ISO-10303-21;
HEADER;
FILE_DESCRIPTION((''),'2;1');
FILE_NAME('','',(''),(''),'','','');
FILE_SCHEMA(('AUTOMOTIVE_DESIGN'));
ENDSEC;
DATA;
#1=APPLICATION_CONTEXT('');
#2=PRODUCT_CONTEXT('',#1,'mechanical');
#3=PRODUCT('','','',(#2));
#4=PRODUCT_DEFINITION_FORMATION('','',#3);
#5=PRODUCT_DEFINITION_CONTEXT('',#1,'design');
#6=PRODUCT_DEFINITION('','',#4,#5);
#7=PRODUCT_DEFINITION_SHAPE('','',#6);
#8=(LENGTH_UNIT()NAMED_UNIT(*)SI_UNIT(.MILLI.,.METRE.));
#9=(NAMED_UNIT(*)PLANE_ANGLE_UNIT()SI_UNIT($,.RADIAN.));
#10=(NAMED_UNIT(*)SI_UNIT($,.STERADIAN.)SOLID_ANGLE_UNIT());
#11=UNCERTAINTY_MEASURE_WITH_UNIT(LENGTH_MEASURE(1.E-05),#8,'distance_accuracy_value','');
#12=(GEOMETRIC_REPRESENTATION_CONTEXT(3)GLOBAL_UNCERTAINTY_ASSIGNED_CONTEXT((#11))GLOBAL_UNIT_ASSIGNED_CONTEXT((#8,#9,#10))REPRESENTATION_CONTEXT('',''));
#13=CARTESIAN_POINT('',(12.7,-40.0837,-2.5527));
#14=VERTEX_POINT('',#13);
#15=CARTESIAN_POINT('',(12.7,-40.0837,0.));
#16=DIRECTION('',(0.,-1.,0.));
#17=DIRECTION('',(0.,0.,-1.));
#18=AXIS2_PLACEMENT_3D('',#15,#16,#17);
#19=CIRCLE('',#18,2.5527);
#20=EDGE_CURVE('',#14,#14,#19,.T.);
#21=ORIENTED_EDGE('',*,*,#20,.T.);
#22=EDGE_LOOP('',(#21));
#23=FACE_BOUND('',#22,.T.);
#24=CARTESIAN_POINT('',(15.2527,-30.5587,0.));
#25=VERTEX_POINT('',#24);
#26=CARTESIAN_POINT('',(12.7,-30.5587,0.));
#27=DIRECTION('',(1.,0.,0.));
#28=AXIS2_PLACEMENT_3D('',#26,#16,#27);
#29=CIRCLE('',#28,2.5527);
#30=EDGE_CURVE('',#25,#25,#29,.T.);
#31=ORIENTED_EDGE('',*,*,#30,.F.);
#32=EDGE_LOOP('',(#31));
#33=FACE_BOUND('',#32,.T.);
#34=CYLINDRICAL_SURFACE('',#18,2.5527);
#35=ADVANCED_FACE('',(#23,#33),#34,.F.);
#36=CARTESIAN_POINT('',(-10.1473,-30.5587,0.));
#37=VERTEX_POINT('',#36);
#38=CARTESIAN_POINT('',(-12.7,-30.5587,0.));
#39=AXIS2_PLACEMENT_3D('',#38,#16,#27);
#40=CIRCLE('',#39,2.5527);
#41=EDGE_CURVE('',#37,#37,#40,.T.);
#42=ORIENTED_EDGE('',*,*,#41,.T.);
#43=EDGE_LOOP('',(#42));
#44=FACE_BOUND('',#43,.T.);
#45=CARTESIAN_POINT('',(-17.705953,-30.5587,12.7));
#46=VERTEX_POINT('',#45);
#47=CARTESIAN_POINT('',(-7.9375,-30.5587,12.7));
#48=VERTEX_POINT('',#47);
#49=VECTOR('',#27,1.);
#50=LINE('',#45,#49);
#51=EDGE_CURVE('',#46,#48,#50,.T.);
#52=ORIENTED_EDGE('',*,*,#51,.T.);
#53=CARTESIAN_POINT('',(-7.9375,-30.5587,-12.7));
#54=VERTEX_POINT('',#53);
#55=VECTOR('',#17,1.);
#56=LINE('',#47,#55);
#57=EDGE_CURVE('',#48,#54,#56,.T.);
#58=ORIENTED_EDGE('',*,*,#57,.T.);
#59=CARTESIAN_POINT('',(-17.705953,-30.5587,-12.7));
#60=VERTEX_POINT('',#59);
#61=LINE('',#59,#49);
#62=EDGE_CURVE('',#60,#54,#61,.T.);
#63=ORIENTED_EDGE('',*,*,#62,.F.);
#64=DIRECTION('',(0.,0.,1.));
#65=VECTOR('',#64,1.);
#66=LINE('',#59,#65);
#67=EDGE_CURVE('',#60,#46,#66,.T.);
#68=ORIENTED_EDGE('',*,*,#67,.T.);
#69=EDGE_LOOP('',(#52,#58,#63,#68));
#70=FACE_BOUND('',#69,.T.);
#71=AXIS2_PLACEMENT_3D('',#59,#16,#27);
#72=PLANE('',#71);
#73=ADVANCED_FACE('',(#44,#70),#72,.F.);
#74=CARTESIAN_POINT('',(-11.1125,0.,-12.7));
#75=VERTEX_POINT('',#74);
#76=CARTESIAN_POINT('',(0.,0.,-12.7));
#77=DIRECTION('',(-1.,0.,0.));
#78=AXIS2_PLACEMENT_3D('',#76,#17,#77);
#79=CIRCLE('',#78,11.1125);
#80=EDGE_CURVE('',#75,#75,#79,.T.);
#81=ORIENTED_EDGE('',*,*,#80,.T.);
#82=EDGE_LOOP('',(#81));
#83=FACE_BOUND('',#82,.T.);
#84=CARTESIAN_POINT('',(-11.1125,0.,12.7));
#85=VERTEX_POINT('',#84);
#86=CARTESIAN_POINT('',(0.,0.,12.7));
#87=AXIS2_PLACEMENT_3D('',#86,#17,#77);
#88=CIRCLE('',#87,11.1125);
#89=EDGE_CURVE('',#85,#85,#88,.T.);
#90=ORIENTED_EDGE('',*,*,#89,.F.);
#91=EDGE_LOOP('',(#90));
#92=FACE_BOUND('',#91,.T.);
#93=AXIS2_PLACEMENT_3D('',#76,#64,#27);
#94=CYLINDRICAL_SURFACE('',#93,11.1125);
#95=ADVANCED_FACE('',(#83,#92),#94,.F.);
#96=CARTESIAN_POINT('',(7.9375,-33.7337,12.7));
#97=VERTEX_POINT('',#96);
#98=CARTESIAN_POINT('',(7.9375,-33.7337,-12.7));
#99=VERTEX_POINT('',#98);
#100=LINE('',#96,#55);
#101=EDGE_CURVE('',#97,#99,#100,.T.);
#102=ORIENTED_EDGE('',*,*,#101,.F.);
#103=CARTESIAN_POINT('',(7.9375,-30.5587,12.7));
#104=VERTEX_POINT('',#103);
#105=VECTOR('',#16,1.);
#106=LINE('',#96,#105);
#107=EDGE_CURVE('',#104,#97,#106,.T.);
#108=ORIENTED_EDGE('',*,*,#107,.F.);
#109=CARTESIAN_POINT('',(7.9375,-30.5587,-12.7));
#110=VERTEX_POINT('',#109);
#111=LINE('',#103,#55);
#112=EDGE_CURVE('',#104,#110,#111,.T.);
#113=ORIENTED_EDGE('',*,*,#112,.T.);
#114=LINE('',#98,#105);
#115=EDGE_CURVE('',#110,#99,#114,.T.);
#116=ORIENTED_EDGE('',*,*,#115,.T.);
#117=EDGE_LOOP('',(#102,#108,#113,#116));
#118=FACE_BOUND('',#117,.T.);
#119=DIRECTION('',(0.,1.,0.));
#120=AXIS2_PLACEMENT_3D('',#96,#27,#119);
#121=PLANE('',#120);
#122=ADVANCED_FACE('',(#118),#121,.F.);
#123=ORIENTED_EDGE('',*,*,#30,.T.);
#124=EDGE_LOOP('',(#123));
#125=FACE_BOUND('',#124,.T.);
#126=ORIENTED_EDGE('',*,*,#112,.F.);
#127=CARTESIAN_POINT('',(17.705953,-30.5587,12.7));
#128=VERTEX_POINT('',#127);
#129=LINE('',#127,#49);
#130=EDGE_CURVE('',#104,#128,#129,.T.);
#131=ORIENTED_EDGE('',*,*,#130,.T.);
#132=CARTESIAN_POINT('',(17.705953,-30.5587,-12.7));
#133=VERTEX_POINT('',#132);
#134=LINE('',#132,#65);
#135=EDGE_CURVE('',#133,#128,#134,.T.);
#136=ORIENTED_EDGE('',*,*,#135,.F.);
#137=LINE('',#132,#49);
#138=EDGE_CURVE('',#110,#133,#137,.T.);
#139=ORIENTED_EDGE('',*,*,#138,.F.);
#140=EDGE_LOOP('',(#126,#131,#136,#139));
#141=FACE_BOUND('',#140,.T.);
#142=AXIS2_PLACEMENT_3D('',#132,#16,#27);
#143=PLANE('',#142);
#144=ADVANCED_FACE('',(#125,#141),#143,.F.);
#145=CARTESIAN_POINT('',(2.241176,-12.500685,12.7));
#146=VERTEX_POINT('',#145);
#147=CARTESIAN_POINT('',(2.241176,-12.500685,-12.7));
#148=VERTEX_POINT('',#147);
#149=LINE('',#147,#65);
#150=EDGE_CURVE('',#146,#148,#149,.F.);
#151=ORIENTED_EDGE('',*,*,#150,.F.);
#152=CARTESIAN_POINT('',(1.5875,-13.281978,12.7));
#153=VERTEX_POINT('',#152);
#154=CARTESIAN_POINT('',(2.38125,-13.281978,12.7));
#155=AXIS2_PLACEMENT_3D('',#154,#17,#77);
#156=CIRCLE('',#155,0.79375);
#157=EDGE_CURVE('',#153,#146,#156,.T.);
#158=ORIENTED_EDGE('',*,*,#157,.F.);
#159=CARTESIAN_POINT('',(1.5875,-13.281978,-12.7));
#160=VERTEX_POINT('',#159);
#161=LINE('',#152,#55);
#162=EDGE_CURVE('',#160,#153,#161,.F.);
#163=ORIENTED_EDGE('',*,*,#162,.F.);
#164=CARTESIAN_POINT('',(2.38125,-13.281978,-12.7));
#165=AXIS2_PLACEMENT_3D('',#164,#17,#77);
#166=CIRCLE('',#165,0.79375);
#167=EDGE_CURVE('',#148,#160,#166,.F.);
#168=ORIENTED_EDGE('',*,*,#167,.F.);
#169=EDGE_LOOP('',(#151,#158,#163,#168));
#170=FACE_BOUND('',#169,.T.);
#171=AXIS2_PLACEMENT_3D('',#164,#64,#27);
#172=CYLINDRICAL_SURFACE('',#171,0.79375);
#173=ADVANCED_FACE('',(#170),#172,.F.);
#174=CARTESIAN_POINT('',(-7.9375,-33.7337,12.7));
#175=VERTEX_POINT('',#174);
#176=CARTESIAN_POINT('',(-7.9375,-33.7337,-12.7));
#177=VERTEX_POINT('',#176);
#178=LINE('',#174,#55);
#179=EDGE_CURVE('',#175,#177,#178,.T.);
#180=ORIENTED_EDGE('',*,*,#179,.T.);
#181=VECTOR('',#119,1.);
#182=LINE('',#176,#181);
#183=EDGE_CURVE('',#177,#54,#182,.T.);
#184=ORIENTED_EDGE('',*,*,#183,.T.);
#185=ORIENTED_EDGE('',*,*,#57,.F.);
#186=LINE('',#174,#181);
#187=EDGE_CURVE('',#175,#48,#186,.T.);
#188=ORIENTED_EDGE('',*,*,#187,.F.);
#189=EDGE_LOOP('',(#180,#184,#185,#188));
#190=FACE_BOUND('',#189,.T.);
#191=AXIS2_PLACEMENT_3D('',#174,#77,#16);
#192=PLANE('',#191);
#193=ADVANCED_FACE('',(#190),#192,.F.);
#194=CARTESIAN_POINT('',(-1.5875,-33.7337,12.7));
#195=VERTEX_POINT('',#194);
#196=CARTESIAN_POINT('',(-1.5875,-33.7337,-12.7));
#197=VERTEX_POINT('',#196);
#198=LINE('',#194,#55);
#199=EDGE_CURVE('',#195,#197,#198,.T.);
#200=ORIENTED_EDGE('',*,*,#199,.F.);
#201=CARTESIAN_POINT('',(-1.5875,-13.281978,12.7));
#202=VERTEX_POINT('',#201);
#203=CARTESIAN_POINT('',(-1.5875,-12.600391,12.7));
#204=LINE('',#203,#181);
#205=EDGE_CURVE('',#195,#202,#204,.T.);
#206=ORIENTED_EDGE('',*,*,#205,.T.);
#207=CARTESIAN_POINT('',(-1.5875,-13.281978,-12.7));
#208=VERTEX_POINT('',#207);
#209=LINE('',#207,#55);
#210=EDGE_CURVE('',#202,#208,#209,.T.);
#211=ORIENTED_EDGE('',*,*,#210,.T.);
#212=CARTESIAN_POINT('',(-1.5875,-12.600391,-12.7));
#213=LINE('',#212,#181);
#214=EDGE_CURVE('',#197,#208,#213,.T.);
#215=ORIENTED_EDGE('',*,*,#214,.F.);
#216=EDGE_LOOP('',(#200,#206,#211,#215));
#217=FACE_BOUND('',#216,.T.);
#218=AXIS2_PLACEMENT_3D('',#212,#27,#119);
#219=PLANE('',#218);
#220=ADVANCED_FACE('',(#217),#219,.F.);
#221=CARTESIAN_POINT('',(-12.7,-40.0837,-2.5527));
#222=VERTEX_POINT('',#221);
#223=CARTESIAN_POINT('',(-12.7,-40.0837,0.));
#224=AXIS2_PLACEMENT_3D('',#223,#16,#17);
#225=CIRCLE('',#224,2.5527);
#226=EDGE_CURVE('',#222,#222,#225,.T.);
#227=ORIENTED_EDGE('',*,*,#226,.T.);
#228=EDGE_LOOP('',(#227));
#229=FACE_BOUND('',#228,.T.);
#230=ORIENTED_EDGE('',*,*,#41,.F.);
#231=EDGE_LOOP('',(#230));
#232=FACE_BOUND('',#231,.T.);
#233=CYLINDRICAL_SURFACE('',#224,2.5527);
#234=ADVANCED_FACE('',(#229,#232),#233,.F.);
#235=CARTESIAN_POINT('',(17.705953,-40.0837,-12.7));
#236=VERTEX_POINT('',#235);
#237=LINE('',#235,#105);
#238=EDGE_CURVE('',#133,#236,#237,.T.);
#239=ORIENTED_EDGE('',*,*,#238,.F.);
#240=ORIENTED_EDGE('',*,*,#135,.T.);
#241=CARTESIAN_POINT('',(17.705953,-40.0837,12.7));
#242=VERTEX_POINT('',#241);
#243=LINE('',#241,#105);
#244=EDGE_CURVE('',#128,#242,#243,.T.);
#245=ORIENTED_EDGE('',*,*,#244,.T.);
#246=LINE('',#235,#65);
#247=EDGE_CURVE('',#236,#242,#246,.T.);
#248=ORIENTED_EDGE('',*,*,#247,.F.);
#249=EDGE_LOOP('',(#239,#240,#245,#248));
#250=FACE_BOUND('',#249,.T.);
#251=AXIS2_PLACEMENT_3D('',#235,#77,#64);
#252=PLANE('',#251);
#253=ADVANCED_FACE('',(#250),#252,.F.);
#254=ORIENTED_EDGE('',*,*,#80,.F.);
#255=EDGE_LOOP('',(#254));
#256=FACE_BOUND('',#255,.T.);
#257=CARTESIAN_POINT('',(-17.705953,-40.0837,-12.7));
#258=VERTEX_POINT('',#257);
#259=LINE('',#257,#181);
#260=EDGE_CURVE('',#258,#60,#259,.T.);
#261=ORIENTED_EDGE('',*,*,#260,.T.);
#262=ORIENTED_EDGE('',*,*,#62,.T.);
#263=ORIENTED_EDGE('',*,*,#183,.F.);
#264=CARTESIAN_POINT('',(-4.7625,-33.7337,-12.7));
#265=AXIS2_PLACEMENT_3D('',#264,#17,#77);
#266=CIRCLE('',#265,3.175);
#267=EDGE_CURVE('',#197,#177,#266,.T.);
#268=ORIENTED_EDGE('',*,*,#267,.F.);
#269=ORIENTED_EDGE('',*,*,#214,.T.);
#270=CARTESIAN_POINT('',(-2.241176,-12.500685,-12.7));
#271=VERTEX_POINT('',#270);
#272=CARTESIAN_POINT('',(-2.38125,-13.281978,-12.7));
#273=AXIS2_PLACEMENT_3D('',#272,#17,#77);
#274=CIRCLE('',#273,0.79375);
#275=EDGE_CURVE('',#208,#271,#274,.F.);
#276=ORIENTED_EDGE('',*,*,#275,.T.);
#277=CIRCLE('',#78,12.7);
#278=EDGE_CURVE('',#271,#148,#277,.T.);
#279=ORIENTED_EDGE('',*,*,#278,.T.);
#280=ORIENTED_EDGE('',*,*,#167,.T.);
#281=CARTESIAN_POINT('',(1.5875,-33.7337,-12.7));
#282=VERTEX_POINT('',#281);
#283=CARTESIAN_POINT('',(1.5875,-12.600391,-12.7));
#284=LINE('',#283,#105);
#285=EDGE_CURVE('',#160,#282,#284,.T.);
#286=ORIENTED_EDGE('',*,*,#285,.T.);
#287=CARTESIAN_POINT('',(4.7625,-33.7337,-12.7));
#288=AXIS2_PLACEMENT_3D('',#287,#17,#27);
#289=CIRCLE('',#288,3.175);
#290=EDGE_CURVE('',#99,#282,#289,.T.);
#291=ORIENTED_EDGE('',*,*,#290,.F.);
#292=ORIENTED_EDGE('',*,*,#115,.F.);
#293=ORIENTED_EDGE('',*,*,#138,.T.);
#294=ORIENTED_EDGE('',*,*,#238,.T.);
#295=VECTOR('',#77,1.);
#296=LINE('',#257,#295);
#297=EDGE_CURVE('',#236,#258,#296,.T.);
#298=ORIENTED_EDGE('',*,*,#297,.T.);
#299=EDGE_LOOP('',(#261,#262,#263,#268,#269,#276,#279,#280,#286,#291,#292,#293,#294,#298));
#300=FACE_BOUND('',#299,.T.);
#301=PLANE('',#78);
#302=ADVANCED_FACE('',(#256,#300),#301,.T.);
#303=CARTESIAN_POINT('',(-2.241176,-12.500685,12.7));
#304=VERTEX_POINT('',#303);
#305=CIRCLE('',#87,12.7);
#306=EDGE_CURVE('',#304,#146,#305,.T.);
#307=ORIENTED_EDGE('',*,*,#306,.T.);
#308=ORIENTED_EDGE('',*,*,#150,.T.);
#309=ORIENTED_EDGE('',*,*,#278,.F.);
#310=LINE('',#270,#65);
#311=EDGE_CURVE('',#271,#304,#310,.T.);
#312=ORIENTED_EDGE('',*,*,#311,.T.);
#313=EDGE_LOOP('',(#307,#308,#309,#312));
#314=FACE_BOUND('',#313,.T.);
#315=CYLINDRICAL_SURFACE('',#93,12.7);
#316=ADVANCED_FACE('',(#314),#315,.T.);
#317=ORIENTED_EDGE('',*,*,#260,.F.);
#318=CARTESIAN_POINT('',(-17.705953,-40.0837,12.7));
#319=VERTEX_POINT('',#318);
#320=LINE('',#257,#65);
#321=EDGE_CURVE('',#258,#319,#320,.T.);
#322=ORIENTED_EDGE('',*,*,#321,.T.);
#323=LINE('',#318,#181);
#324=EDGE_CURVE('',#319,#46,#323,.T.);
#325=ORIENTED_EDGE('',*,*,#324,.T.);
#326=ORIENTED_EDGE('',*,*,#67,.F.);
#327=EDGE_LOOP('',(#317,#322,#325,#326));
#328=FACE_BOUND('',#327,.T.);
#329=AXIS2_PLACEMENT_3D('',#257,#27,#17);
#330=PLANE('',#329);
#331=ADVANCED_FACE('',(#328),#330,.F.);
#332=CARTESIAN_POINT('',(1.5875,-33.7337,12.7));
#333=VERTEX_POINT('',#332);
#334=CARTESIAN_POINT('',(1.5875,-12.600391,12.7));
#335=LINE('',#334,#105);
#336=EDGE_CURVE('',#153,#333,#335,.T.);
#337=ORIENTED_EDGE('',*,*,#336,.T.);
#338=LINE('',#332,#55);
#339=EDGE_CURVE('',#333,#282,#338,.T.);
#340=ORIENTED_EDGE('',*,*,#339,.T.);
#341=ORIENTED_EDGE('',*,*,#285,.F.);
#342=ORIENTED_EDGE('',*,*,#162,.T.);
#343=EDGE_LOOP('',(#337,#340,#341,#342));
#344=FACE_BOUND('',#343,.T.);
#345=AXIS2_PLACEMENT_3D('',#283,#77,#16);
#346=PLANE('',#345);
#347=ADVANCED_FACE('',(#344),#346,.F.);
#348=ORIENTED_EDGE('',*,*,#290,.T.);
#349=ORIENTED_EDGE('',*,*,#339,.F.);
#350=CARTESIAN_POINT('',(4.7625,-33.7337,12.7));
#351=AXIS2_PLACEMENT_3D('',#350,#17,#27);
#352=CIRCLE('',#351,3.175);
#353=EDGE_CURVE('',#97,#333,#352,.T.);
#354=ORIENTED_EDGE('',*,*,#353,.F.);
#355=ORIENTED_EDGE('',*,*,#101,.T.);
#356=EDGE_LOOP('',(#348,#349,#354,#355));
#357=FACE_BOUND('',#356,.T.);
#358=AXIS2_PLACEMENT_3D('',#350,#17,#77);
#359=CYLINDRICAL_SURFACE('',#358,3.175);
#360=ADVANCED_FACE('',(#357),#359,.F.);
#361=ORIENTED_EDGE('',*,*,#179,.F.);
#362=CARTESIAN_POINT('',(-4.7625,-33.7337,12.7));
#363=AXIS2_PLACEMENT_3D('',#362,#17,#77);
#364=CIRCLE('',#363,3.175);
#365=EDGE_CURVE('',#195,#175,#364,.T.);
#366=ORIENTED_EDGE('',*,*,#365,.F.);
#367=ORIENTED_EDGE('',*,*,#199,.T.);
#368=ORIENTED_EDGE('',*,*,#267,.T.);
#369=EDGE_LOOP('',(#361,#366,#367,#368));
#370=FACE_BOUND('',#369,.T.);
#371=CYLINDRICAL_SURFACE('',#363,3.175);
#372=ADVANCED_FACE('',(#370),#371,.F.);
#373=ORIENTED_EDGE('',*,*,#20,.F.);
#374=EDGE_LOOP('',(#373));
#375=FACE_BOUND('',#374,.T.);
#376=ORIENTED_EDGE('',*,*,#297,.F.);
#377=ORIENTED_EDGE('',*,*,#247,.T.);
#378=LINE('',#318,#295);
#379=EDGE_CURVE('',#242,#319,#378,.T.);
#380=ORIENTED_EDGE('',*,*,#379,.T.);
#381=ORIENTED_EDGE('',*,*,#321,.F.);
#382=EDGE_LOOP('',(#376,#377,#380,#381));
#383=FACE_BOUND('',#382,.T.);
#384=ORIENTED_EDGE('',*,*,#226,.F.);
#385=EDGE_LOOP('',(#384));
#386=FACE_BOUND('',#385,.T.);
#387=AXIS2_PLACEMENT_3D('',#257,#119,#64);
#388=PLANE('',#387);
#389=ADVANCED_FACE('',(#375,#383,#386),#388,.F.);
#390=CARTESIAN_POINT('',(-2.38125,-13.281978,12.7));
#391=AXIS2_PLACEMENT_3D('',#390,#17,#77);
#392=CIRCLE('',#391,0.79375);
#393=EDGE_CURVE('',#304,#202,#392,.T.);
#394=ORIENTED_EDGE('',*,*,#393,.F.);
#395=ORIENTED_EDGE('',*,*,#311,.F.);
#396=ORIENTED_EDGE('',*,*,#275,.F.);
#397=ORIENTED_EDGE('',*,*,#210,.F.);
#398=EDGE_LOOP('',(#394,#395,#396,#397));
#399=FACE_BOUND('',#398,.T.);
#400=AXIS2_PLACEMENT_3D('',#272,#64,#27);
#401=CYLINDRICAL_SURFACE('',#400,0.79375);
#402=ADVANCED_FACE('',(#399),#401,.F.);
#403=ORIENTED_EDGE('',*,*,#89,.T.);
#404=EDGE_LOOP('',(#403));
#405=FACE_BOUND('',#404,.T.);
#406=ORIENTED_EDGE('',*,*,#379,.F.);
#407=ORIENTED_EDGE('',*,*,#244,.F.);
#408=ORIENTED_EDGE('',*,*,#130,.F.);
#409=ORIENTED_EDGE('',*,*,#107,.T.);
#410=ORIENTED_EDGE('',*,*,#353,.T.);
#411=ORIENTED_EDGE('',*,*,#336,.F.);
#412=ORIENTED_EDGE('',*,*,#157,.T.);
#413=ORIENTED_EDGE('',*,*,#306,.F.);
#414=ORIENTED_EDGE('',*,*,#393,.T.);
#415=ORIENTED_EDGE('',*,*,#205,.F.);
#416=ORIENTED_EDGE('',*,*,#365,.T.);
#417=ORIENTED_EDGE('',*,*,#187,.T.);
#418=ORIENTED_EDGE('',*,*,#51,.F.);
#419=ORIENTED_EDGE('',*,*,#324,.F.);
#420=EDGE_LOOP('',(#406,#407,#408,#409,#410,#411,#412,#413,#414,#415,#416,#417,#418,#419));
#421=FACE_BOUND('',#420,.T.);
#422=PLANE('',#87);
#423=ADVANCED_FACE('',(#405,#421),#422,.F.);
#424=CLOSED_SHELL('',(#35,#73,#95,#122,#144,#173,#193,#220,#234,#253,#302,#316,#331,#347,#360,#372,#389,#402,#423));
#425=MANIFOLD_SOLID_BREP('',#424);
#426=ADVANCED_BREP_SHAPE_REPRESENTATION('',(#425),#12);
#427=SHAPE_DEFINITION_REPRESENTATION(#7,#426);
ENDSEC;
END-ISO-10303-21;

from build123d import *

# Parameters (mm, degrees)
SKETCH1_R                  = 11.1125
EXTRUDE1_DEPTH             = 12.7
BUSHING_SIDE_FILLETS_R     = 0.79375
MOUNT_SIDE_FILLETS_R       = 0.79375
F_1_4_MOUNTING_HOLES_D     = 5.1054
F_1_4_MOUNTING_HOLES_DEPTH = 19.05
F_1_4_MOUNTING_HOLES_TIP   = 1.533816902
EXTRUDE2_DEPTH             = 51.649420448


with BuildPart() as part:
    # Sketch1 → Extrude1 (new, symmetric)
    with BuildSketch(Plane(origin=(0, 0, 0), x_dir=(1, 0, 0), z_dir=(0, 0, -1))):
        with BuildLine():
            Line((-17.705953405, 40.0837), (17.705953405, 40.0837))
            Line((17.705953405, 40.0837), (17.705953405, 30.5587))
            Line((17.705953405, 30.5587), (1.5875, 30.5587))
            Line((1.5875, 30.5587), (1.5875, 12.600390619))
            ThreePointArc((1.5875, 12.600390619), (0, -12.7), (-1.5875, 12.600390619))
            Line((-1.5875, 12.600390619), (-1.5875, 30.5587))
            Line((-1.5875, 30.5587), (-17.705953405, 30.5587))
            Line((-17.705953405, 30.5587), (-17.705953405, 40.0837))
        make_face()
        with Locations(Location((0, 0, 0), (0, 0, 180))):
            Circle(SKETCH1_R, mode=Mode.SUBTRACT)
    extrude(amount=EXTRUDE1_DEPTH, both=True)

    # Bushing-side fillets
    bushing_side_fillets_edges = [part.edges().sort_by_distance(p)[0] for p in [
        (1.5875, -12.600390619, 0),
        (-1.5875, -12.600390619, 0),
    ]]
    fillet(bushing_side_fillets_edges, radius=BUSHING_SIDE_FILLETS_R)

    # Mount-side fillets
    mount_side_fillets_edges = [part.edges().sort_by_distance(p)[0] for p in [
        (1.5875, -30.5587, 0),
        (-1.5875, -30.5587, 0),
    ]]
    fillet(mount_side_fillets_edges, radius=MOUNT_SIDE_FILLETS_R)

    # 1/4 Mounting holes
    with Locations(Plane.XZ.offset(40.0837)):
        with Locations((-12.7, 0), (12.7, 0)):
            Hole(F_1_4_MOUNTING_HOLES_D / 2, depth=F_1_4_MOUNTING_HOLES_DEPTH)
            with Locations((0, 0, -(F_1_4_MOUNTING_HOLES_DEPTH + F_1_4_MOUNTING_HOLES_TIP / 2))):  # 118° drill point
                Cone(0, F_1_4_MOUNTING_HOLES_D / 2, F_1_4_MOUNTING_HOLES_TIP, mode=Mode.SUBTRACT)

    # Sketch4 → Extrude2 (cut, through all)
    with BuildSketch(Plane(origin=(0, 0, -12.7), x_dir=(-1, 0, 0), z_dir=(0, 0, -1))):
        with BuildLine():
            Line((1.5875, -29.76495), (1.5875, -33.7337))
            ThreePointArc((1.5875, -33.7337), (4.7625, -36.9087), (7.9375, -33.7337))
            Line((7.9375, -33.7337), (7.9375, -30.5587))
            Line((7.9375, -30.5587), (2.38125, -30.5587))
            ThreePointArc((2.38125, -30.5587), (1.819983992, -30.326216008), (1.5875, -29.76495))
        make_face()
        with BuildLine():
            Line((-7.9375, -30.5587), (-2.38125, -30.5587))
            ThreePointArc((-2.38125, -30.5587), (-1.819983992, -30.326216008), (-1.5875, -29.76495))
            Line((-1.5875, -29.76495), (-1.5875, -33.7337))
            ThreePointArc((-1.5875, -33.7337), (-4.7625, -36.9087), (-7.9375, -33.7337))
            Line((-7.9375, -33.7337), (-7.9375, -30.5587))
        make_face()
    extrude(amount=-EXTRUDE2_DEPTH, mode=Mode.SUBTRACT)


solid = part.part
